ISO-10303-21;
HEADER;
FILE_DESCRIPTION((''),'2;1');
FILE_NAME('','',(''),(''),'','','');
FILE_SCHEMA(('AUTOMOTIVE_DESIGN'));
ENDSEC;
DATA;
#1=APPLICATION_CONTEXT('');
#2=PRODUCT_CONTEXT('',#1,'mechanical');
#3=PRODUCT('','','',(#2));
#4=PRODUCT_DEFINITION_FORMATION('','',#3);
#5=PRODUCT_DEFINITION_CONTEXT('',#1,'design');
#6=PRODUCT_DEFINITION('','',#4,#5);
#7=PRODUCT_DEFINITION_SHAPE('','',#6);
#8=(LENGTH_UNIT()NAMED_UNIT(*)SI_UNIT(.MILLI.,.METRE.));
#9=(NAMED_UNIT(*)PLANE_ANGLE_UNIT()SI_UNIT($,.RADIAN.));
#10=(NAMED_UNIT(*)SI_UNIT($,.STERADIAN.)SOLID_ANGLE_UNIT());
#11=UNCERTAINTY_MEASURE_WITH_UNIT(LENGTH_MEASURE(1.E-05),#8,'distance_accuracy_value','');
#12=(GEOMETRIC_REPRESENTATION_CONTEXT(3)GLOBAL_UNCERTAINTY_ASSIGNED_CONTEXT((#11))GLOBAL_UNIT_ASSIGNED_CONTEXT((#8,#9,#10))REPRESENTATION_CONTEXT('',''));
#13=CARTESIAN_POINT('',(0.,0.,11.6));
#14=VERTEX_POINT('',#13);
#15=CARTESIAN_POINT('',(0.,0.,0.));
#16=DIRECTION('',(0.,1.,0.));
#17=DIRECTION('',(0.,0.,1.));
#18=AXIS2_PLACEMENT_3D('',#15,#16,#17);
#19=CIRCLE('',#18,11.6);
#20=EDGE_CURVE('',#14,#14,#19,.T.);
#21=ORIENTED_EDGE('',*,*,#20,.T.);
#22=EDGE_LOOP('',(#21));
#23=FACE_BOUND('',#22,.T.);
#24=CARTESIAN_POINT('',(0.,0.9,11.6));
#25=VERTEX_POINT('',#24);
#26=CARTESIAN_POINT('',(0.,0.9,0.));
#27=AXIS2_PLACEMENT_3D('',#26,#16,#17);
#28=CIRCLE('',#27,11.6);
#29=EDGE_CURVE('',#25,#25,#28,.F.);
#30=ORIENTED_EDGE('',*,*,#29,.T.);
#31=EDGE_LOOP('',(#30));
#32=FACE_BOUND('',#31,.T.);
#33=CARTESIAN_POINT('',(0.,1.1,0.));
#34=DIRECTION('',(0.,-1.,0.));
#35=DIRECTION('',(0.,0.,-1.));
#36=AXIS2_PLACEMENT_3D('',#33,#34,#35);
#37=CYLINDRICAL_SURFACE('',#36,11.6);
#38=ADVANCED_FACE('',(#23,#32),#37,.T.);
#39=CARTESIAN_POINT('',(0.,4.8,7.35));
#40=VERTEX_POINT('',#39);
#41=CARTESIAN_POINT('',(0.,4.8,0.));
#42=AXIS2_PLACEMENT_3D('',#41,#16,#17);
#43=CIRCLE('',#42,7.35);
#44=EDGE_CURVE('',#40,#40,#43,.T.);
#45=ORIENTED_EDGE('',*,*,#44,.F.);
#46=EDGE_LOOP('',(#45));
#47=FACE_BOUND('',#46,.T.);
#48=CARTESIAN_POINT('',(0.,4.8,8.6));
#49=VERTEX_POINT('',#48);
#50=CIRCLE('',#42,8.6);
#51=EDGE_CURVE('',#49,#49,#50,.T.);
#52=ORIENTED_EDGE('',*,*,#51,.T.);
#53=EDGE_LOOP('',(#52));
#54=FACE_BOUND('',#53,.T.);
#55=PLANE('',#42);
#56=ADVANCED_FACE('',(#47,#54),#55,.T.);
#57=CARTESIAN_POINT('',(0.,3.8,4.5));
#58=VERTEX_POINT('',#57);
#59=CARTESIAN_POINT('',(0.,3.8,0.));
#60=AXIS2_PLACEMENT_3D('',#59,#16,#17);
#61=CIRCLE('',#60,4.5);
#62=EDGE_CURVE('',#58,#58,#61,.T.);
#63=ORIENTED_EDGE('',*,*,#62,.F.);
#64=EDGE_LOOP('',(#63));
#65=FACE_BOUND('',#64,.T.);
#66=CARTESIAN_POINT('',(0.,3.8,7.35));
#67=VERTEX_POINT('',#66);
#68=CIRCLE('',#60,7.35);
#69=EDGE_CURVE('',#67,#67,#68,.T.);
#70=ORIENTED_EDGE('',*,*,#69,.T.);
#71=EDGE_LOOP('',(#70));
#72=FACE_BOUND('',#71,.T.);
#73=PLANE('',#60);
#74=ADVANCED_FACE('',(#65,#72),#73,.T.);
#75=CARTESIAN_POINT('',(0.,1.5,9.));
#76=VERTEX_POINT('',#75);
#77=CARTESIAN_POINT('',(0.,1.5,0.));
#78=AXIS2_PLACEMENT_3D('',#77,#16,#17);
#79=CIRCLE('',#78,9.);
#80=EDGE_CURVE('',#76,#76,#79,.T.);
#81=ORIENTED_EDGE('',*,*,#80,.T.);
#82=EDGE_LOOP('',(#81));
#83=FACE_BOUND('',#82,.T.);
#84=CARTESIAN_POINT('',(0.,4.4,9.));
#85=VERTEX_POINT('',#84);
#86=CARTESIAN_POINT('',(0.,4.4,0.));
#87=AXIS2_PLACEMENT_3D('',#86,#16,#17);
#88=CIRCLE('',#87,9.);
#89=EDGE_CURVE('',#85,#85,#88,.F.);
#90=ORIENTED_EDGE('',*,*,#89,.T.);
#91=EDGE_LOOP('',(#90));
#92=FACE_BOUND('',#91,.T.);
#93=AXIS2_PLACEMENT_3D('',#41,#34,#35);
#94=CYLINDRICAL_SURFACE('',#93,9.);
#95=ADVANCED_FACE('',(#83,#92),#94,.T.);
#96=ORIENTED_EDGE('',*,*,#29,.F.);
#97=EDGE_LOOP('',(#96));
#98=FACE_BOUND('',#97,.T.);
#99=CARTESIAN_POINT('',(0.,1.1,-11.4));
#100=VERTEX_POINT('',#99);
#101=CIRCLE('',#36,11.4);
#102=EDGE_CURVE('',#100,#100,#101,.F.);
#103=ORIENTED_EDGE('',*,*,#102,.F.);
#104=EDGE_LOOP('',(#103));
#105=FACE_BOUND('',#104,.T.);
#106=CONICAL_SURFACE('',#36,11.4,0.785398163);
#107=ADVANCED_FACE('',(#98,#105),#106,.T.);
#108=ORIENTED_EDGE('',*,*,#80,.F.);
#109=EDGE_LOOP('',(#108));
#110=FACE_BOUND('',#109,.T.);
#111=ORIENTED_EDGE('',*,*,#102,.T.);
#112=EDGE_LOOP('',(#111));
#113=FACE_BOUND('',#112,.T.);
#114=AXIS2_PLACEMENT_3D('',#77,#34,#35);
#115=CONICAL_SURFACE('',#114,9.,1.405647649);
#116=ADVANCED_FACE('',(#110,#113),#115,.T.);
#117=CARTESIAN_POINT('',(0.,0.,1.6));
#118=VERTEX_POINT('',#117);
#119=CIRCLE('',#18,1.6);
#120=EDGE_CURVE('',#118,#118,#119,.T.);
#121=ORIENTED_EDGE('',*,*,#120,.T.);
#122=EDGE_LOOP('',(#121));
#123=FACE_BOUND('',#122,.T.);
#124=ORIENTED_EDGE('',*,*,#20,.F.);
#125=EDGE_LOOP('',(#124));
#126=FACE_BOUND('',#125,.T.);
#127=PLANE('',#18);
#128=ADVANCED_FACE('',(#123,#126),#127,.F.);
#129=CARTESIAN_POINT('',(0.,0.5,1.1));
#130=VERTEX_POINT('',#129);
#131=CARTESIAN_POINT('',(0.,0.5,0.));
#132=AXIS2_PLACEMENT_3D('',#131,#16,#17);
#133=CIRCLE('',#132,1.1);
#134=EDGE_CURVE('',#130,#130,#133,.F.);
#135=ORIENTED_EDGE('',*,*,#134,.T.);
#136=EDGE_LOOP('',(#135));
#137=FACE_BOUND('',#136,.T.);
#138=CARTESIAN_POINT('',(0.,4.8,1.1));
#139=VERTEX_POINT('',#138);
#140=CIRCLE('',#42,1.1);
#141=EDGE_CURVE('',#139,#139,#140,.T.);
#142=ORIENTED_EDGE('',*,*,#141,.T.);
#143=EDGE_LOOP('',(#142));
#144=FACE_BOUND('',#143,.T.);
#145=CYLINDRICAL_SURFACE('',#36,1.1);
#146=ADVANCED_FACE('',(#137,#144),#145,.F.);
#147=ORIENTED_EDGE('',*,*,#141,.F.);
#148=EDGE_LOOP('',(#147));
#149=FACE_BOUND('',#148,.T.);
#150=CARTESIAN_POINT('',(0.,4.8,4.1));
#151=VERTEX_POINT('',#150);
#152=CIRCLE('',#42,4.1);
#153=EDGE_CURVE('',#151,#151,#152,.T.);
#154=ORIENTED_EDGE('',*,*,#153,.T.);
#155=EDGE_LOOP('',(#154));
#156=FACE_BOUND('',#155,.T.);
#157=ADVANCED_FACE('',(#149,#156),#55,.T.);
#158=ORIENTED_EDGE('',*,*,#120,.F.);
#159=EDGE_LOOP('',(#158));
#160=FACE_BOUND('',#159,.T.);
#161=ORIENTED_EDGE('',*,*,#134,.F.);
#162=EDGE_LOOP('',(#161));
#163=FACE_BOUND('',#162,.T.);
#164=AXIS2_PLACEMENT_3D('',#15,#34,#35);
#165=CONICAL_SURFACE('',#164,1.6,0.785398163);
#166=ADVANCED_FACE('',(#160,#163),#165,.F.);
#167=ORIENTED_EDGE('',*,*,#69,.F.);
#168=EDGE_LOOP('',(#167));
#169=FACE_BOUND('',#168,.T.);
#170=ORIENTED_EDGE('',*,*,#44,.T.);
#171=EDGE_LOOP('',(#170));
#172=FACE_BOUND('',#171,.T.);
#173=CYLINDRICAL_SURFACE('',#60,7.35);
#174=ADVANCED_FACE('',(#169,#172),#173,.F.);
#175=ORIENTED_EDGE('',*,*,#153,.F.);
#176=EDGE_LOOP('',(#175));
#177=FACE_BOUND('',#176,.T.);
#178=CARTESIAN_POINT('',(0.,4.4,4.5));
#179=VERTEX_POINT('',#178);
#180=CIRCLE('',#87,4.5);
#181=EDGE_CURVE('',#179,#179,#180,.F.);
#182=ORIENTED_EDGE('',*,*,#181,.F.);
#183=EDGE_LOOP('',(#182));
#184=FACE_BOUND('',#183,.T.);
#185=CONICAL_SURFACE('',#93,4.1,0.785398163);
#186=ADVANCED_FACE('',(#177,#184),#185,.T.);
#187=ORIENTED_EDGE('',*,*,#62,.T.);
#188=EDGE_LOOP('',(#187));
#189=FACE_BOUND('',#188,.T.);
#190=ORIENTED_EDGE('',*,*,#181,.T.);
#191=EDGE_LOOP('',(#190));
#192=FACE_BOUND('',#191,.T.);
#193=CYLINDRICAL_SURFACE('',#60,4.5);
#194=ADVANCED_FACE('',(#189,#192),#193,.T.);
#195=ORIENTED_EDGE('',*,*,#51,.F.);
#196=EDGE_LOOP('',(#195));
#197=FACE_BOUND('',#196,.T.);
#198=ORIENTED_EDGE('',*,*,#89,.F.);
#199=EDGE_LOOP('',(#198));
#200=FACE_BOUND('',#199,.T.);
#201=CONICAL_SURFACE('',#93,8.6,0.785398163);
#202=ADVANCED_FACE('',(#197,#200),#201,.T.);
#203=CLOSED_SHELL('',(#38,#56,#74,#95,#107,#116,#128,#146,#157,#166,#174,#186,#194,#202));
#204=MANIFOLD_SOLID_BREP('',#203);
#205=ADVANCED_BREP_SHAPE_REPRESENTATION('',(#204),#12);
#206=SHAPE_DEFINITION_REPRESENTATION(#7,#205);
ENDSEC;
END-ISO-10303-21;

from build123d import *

# Parameters (mm, degrees)
SKETCH_4_R          = 11.6
SKETCH_4_R_2        = 1.1
EXTRUDE_1_DEPTH     = 1.1
EXTRUDE_START       = 1.5
SKETCH_4_3_R        = 9
SKETCH_4_3_R_2      = 1.1
EXTRUDE_2_DEPTH     = 3.3
CHAMFER_1_SIZE      = 0.2
SKETCH_6_R          = 7.35
SKETCH_6_R_2        = 4.5
CUT_EXTRUDE_1_DEPTH = 1
CHAMFER_2_SIZE      = 0.4
SKETCH_4_4_R        = 1.1
CUT_EXTRUDE_2_DEPTH = 18.092688495
CHAMFER_3_SIZE      = 0.5


with BuildPart() as part:
    # 草图4 → 凸台-拉伸1 (new body)
    with BuildSketch(Plane(origin=(0, 0, 0), x_dir=(1, 0, 0), z_dir=(0, 1, 0))):
        Circle(SKETCH_4_R)
        Circle(SKETCH_4_R_2, mode=Mode.SUBTRACT)
    extrude(amount=EXTRUDE_1_DEPTH)

    # 倒角1
    chamfer_1_edges = [part.edges().sort_by_distance(p)[0] for p in [
        (-11.6, 1.1, 0),
    ]]
    chamfer(chamfer_1_edges, length=CHAMFER_1_SIZE)


with BuildPart() as body_2:
    # 草图4<3> → 凸台-拉伸2 (new body)
    with BuildSketch(Plane(origin=(0, 0, 0), x_dir=(1, 0, 0), z_dir=(0, 1, 0)).offset(EXTRUDE_START)):
        Circle(SKETCH_4_3_R)
        Circle(SKETCH_4_3_R_2, mode=Mode.SUBTRACT)
    extrude(amount=EXTRUDE_2_DEPTH)


    add(part.part)  # loft_1 joins it to this body
    # loft up to a face of the part (loft_1)
    loft([Face(Wire([body_2.edges().sort_by_distance((-6.160923953, 1.5, 6.560717647))[0]])), Face(Wire([body_2.edges().sort_by_distance((-7.803837008, 1.1, -8.310242353))[0]]))])

    # 草图6 → 切除-拉伸1 (cut)
    with BuildSketch(Plane(origin=(0, 4.8, 0), x_dir=(1, 0, 0), z_dir=(0, 1, 0))):
        Circle(SKETCH_6_R)
        Circle(SKETCH_6_R_2, mode=Mode.SUBTRACT)
    extrude(amount=-CUT_EXTRUDE_1_DEPTH, mode=Mode.SUBTRACT)

    # 倒角2
    chamfer_2_edges = [body_2.edges().sort_by_distance(p)[0] for p in [
        (-4.5, 4.8, 0),
        (-9, 4.8, 0),
    ]]
    chamfer(chamfer_2_edges, length=CHAMFER_2_SIZE)

    # 草图4<4> → 切除-拉伸2 (cut, through all)
    with BuildSketch(Plane(origin=(0, 0, 0), x_dir=(1, 0, 0), z_dir=(0, 1, 0))):
        Circle(SKETCH_4_4_R)
    extrude(amount=CUT_EXTRUDE_2_DEPTH, mode=Mode.SUBTRACT)

    # 倒角3
    chamfer_3_edges = [body_2.edges().sort_by_distance(p)[0] for p in [
        (-1.1, 0, 0),
    ]]
    chamfer(chamfer_3_edges, length=CHAMFER_3_SIZE)


solid = body_2.part
